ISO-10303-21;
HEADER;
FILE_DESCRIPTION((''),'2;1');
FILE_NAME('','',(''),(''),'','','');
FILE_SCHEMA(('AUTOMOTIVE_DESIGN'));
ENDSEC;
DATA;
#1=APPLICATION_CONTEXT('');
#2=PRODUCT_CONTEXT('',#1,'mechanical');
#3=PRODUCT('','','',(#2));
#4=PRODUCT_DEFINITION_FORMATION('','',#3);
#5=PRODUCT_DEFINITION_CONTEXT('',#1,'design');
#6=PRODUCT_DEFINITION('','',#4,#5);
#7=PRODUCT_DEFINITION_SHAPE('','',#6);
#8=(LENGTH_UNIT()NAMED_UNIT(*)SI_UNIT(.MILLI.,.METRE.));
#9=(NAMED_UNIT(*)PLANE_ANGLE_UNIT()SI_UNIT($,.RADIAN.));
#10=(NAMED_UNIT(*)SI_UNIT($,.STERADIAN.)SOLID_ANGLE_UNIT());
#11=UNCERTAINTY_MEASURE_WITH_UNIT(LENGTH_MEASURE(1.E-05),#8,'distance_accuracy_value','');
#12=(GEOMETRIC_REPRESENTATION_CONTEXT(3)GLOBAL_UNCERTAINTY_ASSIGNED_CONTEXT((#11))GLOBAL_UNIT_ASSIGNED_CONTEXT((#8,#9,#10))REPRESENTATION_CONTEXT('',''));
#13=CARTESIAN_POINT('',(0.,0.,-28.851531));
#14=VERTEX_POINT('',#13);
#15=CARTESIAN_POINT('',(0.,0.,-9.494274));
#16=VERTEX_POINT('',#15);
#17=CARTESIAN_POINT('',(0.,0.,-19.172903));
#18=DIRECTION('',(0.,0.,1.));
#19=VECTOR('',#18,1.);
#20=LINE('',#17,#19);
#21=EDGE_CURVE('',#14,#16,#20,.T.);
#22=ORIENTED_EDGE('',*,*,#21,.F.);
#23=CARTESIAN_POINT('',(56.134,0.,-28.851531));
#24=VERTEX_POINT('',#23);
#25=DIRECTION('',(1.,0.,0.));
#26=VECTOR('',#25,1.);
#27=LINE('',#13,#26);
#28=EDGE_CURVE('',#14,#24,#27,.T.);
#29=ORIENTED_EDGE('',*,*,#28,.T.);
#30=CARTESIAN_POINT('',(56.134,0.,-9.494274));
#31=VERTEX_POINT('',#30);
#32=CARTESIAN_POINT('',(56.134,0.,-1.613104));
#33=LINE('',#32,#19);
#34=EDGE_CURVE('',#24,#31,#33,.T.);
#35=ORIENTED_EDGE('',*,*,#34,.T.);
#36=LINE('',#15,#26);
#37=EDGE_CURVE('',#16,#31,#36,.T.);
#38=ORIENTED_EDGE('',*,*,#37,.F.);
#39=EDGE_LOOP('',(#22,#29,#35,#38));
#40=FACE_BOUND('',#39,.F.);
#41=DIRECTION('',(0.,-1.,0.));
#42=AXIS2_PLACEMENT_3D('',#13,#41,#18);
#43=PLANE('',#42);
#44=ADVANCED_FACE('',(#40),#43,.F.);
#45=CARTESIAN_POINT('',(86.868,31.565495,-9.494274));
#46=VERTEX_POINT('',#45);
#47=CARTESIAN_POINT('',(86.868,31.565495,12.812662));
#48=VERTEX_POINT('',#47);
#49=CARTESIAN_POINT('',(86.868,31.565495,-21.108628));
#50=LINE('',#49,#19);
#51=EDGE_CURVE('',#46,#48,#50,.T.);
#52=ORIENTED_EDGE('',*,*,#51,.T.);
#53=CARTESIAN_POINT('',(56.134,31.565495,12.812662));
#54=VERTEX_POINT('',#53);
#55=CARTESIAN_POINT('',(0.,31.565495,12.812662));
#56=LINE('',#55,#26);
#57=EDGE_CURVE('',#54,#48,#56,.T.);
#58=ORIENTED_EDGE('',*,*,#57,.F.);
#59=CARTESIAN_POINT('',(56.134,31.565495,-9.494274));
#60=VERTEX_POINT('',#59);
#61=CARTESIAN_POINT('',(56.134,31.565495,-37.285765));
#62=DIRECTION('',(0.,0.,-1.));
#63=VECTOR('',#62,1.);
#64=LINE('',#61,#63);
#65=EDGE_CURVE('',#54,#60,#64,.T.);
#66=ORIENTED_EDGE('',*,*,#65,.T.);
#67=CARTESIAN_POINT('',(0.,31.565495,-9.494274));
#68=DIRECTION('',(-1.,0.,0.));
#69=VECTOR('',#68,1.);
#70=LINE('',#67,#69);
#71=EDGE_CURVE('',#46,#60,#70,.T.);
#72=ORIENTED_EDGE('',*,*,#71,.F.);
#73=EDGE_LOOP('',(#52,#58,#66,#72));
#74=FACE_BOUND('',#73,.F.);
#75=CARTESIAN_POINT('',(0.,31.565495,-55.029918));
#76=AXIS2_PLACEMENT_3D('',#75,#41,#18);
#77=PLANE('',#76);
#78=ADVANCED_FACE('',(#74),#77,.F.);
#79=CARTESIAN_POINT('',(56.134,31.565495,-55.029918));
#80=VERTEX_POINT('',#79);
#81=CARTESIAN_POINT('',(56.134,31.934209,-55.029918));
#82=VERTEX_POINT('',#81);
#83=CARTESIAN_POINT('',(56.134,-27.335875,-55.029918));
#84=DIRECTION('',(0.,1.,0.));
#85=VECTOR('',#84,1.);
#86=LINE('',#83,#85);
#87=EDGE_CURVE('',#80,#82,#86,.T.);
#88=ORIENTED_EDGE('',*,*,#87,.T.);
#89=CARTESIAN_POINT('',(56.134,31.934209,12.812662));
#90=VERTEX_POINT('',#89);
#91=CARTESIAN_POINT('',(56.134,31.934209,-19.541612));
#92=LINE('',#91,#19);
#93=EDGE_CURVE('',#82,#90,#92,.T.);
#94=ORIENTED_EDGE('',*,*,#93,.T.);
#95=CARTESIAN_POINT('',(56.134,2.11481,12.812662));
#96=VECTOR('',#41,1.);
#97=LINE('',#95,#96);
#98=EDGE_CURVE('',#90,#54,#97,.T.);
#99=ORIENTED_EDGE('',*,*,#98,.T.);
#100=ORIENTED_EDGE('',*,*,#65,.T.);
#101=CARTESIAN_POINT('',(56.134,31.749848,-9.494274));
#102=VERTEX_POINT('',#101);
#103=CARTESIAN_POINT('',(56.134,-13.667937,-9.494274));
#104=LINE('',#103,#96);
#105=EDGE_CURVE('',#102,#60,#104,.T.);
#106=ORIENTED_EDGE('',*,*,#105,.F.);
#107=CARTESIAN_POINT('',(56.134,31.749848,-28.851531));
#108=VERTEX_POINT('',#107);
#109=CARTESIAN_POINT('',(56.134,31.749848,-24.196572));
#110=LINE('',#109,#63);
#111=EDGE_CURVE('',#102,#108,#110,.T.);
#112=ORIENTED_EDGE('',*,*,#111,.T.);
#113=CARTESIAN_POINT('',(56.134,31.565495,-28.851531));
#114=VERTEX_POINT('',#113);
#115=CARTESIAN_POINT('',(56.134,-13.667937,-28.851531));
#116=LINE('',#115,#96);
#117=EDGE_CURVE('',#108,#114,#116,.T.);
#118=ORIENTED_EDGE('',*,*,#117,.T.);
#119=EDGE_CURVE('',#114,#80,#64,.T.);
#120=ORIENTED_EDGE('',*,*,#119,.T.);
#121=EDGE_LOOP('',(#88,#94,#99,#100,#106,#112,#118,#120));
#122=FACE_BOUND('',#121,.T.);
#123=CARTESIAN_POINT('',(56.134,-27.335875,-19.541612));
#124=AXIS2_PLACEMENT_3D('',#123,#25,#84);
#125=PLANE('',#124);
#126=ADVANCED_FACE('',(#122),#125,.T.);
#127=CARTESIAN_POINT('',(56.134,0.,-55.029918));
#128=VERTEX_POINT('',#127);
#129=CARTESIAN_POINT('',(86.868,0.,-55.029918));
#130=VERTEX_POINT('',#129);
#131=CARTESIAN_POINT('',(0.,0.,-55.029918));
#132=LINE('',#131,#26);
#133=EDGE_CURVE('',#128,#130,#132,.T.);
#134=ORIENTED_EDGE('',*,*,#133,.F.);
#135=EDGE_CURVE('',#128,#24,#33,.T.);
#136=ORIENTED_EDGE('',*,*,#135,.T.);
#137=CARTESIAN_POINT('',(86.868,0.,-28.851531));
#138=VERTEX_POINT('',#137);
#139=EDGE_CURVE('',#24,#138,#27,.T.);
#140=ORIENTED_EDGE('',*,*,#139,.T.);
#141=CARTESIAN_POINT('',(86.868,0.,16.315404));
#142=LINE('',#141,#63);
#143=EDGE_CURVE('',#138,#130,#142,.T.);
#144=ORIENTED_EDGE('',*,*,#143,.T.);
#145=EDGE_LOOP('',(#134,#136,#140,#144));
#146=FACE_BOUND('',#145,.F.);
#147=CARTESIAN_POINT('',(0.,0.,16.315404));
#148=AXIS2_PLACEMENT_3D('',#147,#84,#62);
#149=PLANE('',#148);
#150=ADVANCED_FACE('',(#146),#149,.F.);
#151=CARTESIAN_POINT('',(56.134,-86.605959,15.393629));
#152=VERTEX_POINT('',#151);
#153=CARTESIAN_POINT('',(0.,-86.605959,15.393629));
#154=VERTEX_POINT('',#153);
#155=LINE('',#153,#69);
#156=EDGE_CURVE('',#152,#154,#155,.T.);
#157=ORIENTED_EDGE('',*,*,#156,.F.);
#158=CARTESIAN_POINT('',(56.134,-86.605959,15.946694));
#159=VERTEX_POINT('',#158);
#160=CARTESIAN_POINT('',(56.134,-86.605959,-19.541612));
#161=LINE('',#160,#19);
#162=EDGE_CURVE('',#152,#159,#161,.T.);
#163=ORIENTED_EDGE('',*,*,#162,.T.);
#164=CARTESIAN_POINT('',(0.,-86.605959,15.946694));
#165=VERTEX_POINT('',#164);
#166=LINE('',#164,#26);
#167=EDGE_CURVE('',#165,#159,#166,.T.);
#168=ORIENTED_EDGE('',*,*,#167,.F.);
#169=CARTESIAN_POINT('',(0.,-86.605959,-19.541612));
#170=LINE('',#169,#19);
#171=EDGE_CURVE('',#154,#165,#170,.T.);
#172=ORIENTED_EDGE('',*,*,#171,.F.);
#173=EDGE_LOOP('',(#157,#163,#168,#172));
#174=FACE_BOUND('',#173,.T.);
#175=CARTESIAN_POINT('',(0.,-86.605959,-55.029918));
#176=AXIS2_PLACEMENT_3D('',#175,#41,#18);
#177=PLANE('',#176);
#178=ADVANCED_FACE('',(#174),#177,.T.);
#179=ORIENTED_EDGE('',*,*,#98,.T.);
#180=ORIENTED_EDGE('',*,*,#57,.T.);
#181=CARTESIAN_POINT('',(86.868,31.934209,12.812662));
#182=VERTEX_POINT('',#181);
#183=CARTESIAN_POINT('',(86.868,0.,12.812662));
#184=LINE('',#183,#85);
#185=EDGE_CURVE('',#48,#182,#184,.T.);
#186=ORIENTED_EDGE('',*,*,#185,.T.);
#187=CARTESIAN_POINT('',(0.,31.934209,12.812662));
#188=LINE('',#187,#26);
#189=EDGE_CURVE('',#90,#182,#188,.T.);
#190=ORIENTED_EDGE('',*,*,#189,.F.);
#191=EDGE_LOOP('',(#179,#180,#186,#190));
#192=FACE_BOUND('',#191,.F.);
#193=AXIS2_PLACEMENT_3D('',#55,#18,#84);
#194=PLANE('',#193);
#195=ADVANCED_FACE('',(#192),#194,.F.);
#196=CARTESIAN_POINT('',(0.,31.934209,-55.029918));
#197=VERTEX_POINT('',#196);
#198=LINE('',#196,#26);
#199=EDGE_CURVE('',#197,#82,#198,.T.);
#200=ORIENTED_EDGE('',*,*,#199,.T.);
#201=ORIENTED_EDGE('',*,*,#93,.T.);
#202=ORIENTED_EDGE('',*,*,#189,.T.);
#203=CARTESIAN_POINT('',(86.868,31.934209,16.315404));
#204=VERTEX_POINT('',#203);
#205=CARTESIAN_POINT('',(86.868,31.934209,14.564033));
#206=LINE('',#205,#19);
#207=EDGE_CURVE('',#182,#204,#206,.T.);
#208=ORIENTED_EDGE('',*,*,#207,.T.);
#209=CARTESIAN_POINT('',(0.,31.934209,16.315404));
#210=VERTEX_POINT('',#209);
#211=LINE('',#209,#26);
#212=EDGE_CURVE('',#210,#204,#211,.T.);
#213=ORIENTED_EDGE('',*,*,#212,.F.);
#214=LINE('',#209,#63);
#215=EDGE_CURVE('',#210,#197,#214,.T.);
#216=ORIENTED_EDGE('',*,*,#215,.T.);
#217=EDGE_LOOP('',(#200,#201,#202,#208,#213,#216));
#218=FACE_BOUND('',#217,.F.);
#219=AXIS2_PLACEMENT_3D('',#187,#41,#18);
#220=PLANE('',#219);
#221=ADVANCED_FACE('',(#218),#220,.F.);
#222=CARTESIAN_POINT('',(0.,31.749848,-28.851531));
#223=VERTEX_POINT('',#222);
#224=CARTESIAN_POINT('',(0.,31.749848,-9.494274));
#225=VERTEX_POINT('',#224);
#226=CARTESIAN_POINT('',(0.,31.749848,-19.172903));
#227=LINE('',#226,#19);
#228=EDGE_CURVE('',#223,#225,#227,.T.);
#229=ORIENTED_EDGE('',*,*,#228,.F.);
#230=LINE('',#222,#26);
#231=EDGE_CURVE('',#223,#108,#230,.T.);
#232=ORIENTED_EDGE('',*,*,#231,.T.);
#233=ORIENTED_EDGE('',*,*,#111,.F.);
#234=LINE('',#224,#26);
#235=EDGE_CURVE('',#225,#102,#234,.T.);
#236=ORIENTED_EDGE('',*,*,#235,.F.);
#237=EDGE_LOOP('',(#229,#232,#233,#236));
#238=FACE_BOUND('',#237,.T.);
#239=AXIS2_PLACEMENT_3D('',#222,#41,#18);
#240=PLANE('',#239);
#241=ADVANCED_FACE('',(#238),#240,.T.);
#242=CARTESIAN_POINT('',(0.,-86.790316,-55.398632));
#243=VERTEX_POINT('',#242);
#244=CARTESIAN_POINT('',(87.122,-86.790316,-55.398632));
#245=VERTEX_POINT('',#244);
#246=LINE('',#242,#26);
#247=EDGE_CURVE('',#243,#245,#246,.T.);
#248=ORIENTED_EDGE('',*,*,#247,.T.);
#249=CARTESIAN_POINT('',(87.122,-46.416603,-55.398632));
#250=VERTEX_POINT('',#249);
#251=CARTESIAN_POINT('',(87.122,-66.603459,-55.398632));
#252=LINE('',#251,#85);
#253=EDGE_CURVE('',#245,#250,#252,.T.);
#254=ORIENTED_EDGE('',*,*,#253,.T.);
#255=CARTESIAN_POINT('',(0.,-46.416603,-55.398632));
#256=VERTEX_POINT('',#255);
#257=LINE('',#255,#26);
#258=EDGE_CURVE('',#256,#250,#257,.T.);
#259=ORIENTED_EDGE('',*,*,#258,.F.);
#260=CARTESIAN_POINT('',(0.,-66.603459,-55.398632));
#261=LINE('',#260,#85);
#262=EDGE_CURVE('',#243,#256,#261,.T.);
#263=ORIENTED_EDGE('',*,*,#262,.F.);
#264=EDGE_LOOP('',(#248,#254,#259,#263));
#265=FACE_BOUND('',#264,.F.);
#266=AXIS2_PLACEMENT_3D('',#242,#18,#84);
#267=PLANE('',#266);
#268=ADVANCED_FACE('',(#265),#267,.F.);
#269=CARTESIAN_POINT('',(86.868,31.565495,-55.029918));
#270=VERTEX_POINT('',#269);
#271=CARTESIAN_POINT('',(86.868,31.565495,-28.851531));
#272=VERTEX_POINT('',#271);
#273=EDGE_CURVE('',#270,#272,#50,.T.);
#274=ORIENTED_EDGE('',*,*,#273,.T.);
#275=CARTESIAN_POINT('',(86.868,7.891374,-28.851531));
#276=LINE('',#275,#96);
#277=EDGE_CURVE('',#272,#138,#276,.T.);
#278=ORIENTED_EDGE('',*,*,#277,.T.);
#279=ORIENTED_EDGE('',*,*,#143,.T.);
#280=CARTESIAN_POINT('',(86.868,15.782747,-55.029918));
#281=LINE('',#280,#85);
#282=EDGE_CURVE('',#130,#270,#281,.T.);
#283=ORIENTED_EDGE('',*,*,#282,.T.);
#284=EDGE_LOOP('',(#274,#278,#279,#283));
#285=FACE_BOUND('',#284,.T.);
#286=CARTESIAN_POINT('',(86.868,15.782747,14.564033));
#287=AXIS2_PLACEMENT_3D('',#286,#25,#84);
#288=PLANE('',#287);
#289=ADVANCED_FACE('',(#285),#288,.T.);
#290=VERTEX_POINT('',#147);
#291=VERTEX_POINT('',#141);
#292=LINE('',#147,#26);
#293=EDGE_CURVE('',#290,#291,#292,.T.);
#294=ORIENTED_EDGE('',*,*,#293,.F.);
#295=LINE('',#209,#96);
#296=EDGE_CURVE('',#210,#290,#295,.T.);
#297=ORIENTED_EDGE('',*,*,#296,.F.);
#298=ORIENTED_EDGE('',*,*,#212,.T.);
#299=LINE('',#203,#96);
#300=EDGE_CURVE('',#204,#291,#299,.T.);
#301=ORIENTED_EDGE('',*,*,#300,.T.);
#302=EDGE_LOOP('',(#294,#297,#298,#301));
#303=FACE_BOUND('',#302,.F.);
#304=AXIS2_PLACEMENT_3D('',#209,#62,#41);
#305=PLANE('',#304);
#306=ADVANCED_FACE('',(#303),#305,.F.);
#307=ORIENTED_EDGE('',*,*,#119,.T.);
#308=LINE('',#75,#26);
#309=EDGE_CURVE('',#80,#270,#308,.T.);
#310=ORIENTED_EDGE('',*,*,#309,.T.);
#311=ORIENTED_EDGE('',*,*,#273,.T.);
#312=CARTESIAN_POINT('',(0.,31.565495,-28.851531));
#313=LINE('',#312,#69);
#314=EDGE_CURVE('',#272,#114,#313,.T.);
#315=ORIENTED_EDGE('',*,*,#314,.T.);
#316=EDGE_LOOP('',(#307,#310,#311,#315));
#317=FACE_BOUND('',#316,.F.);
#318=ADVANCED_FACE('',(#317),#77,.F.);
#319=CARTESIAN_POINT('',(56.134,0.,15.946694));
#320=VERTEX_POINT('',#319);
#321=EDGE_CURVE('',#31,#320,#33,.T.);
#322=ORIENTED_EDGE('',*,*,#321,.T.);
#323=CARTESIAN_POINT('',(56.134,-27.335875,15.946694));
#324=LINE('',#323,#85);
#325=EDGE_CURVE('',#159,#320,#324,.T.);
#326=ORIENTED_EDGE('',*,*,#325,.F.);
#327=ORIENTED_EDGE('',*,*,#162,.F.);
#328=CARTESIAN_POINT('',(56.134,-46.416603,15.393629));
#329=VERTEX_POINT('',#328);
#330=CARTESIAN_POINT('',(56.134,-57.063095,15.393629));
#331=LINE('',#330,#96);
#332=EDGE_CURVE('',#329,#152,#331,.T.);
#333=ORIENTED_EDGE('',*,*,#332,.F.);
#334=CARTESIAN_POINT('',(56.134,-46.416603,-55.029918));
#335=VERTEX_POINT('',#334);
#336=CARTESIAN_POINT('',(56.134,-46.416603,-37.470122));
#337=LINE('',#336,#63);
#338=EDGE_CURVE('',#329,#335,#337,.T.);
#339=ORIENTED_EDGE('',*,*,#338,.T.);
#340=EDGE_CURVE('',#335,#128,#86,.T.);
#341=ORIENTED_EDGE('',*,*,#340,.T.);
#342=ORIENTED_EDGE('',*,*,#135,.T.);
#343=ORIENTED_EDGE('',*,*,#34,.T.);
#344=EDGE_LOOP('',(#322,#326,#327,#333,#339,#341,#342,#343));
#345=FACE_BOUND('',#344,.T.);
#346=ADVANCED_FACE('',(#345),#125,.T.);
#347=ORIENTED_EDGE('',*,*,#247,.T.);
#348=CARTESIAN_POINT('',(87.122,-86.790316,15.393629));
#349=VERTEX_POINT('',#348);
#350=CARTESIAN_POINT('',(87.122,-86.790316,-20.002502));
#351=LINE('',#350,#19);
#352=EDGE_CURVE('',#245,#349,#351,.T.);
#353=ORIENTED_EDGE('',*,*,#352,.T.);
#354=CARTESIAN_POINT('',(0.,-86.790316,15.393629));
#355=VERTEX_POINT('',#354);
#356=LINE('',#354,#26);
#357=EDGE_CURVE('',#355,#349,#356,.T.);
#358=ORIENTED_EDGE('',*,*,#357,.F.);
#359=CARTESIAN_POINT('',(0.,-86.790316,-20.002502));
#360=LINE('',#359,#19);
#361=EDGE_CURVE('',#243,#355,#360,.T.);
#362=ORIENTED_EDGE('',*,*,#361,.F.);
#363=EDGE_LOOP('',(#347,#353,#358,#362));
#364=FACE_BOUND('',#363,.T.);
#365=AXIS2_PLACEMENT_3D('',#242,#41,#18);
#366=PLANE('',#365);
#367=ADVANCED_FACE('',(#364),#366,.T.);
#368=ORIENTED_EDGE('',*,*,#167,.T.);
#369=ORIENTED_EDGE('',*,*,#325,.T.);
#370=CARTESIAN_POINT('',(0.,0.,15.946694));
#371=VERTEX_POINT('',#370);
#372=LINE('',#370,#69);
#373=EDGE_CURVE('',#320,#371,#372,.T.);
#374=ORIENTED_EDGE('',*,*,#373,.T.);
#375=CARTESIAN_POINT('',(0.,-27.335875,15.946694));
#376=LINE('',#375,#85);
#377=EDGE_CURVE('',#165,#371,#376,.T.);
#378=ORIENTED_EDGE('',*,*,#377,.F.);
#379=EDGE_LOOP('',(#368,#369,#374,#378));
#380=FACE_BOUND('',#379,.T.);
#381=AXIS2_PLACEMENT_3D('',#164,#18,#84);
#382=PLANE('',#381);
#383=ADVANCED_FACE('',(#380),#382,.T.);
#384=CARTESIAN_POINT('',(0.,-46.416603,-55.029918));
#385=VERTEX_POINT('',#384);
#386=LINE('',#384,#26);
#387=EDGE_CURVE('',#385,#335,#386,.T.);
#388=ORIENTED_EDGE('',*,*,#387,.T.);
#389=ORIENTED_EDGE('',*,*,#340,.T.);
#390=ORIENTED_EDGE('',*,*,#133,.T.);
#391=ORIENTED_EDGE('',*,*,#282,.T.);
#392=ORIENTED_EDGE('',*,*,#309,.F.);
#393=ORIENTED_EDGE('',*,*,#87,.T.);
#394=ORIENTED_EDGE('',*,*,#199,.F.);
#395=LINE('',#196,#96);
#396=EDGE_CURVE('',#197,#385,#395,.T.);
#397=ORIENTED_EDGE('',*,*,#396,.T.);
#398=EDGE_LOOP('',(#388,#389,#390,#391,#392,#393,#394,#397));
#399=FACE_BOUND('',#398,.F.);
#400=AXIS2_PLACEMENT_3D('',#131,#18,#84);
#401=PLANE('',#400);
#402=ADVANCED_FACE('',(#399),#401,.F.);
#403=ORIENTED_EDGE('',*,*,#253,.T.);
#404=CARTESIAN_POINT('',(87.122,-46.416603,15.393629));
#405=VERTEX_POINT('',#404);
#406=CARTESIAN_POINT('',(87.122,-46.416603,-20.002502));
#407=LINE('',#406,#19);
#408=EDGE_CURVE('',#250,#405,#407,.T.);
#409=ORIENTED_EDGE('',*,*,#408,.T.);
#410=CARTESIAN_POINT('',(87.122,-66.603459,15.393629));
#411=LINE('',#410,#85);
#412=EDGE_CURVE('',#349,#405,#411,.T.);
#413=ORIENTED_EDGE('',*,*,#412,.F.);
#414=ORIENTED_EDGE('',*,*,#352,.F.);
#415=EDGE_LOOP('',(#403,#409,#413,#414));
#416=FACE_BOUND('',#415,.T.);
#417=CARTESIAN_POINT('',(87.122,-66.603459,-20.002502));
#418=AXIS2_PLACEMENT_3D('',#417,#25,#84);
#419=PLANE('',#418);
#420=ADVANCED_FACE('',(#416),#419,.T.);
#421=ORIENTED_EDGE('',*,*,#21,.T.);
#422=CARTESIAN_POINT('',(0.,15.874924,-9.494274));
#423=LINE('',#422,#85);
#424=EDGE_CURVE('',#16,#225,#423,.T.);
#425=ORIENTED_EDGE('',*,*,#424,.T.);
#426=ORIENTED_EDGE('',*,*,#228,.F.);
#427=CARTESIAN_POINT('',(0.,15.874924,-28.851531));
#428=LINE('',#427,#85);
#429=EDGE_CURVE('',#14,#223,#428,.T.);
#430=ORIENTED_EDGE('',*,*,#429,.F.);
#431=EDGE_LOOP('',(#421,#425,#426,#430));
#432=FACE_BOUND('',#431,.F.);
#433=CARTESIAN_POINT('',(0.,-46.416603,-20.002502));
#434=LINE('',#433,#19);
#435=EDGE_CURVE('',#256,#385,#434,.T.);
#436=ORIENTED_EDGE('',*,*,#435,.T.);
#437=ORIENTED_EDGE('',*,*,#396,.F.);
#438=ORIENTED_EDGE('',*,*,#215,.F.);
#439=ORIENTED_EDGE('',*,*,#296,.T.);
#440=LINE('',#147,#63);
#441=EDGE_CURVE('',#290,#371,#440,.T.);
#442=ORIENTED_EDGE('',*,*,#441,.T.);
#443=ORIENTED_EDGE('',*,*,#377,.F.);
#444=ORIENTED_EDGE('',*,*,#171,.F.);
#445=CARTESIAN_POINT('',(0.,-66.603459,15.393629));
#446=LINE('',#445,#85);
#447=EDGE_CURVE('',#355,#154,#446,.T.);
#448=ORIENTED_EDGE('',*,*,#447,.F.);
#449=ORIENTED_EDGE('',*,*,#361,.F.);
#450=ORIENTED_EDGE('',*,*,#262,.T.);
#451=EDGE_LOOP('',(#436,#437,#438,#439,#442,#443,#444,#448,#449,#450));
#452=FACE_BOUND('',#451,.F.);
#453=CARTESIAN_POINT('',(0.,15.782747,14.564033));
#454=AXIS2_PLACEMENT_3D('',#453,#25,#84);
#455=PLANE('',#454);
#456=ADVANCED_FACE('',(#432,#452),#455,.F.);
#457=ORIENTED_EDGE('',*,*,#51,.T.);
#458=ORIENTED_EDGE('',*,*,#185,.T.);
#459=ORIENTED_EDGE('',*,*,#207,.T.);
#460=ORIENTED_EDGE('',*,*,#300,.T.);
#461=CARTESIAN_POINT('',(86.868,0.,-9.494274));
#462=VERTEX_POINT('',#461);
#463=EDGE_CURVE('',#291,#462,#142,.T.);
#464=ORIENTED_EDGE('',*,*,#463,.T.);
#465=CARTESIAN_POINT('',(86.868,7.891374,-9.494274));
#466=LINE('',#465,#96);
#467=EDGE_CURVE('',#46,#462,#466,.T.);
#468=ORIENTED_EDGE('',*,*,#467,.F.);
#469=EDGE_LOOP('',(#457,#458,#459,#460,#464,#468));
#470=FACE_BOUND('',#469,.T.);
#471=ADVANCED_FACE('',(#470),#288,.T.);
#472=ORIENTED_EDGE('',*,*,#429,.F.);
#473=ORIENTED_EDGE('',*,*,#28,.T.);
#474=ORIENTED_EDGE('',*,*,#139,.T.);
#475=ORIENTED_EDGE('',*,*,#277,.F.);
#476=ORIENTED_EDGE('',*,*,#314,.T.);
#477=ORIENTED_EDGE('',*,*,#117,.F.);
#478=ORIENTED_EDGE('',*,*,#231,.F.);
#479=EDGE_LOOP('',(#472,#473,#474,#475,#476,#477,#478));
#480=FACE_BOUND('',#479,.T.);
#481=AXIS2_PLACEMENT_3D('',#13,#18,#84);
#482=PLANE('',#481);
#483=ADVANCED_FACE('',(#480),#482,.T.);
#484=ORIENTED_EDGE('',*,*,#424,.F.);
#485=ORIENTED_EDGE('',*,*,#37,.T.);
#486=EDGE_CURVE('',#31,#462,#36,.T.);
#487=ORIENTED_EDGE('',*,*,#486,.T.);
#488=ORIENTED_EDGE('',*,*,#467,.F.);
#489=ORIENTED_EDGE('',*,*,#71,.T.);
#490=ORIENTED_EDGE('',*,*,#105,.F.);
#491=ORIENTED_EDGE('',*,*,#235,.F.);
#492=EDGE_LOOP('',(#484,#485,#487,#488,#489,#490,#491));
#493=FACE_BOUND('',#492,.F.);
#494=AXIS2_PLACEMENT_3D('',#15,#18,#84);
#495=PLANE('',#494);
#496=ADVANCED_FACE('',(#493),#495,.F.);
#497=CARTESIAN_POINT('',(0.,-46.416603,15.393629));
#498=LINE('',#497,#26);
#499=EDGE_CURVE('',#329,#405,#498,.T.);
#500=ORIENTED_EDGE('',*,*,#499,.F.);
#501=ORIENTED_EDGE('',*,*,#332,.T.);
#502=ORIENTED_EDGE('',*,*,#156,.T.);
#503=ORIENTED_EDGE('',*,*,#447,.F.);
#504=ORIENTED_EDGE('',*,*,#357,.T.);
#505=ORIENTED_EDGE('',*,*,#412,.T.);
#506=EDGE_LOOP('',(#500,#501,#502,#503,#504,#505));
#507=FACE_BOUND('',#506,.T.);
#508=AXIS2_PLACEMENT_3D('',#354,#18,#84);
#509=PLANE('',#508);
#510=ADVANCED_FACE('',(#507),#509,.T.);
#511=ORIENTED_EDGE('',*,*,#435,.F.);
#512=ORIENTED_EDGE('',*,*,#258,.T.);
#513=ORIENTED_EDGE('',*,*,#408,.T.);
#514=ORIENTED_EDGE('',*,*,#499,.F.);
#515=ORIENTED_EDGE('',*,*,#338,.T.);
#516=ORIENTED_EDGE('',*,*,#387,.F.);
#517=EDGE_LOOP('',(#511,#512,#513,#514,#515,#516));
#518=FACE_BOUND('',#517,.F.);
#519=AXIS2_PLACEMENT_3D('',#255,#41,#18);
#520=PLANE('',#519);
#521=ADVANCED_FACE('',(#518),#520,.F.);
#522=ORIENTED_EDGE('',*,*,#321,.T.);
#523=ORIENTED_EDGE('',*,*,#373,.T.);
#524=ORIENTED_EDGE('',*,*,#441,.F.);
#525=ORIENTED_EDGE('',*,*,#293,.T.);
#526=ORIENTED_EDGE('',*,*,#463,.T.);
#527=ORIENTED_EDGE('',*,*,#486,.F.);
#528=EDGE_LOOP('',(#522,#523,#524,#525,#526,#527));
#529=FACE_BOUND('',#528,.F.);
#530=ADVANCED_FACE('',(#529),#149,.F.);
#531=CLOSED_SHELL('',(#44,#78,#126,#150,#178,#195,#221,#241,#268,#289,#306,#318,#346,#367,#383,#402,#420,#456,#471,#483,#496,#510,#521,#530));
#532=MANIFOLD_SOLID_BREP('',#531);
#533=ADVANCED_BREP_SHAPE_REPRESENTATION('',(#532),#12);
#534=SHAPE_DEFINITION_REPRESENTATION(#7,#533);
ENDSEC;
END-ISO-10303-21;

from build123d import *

# Parameters (mm, degrees)
F0_W     = 118.5401678085
F0_H     = 70.9766112268
F1_DEPTH = 56.134
F2_W     = 40.3737127781
F2_H     = 70.7922605798
F3_DEPTH = 87.122
F4_W     = 31.5654948354
F4_H     = 3.5027423874
F4_W_2   = 0.3687143326
F4_H_2   = 67.8425794467
F5_DEPTH = 86.868
F6_W     = 31.7498482764
F6_H     = 19.3572575226
F7_DEPTH = 92.71


with BuildPart() as f1:
    # F0 (on Right) → F1 (new body)
    with BuildSketch(Plane.YZ):
        with Locations((-27.3358747363, -19.541611895)):
            Rectangle(F0_W, F0_H)
    extrude(amount=F1_DEPTH)

    # F2 (on Right) → F3 (join)
    with BuildSketch(Plane.YZ):
        with Locations((-66.6034594178, -20.0025015511)):
            Rectangle(F2_W, F2_H)
    extrude(amount=F3_DEPTH)

    # F4 (on Right) → F5 (join)
    with BuildSketch(Plane.YZ):
        with Locations((15.7827474177, 14.564033132)):
            Rectangle(F4_W, F4_H)
        with Locations((31.7498520017, 14.564033132)):
            Rectangle(F4_W_2, F4_H)
        with Locations((15.7827474177, -21.108627785)):
            Rectangle(F4_W, F4_H_2)
    extrude(amount=F5_DEPTH)

    # F6 (on Right) → F7 (cut)
    with BuildSketch(Plane.YZ):
        with Locations((15.8749241382, -19.1729026847)):
            Rectangle(F6_W, F6_H)
    extrude(amount=F7_DEPTH, mode=Mode.SUBTRACT)


solid = f1.part
